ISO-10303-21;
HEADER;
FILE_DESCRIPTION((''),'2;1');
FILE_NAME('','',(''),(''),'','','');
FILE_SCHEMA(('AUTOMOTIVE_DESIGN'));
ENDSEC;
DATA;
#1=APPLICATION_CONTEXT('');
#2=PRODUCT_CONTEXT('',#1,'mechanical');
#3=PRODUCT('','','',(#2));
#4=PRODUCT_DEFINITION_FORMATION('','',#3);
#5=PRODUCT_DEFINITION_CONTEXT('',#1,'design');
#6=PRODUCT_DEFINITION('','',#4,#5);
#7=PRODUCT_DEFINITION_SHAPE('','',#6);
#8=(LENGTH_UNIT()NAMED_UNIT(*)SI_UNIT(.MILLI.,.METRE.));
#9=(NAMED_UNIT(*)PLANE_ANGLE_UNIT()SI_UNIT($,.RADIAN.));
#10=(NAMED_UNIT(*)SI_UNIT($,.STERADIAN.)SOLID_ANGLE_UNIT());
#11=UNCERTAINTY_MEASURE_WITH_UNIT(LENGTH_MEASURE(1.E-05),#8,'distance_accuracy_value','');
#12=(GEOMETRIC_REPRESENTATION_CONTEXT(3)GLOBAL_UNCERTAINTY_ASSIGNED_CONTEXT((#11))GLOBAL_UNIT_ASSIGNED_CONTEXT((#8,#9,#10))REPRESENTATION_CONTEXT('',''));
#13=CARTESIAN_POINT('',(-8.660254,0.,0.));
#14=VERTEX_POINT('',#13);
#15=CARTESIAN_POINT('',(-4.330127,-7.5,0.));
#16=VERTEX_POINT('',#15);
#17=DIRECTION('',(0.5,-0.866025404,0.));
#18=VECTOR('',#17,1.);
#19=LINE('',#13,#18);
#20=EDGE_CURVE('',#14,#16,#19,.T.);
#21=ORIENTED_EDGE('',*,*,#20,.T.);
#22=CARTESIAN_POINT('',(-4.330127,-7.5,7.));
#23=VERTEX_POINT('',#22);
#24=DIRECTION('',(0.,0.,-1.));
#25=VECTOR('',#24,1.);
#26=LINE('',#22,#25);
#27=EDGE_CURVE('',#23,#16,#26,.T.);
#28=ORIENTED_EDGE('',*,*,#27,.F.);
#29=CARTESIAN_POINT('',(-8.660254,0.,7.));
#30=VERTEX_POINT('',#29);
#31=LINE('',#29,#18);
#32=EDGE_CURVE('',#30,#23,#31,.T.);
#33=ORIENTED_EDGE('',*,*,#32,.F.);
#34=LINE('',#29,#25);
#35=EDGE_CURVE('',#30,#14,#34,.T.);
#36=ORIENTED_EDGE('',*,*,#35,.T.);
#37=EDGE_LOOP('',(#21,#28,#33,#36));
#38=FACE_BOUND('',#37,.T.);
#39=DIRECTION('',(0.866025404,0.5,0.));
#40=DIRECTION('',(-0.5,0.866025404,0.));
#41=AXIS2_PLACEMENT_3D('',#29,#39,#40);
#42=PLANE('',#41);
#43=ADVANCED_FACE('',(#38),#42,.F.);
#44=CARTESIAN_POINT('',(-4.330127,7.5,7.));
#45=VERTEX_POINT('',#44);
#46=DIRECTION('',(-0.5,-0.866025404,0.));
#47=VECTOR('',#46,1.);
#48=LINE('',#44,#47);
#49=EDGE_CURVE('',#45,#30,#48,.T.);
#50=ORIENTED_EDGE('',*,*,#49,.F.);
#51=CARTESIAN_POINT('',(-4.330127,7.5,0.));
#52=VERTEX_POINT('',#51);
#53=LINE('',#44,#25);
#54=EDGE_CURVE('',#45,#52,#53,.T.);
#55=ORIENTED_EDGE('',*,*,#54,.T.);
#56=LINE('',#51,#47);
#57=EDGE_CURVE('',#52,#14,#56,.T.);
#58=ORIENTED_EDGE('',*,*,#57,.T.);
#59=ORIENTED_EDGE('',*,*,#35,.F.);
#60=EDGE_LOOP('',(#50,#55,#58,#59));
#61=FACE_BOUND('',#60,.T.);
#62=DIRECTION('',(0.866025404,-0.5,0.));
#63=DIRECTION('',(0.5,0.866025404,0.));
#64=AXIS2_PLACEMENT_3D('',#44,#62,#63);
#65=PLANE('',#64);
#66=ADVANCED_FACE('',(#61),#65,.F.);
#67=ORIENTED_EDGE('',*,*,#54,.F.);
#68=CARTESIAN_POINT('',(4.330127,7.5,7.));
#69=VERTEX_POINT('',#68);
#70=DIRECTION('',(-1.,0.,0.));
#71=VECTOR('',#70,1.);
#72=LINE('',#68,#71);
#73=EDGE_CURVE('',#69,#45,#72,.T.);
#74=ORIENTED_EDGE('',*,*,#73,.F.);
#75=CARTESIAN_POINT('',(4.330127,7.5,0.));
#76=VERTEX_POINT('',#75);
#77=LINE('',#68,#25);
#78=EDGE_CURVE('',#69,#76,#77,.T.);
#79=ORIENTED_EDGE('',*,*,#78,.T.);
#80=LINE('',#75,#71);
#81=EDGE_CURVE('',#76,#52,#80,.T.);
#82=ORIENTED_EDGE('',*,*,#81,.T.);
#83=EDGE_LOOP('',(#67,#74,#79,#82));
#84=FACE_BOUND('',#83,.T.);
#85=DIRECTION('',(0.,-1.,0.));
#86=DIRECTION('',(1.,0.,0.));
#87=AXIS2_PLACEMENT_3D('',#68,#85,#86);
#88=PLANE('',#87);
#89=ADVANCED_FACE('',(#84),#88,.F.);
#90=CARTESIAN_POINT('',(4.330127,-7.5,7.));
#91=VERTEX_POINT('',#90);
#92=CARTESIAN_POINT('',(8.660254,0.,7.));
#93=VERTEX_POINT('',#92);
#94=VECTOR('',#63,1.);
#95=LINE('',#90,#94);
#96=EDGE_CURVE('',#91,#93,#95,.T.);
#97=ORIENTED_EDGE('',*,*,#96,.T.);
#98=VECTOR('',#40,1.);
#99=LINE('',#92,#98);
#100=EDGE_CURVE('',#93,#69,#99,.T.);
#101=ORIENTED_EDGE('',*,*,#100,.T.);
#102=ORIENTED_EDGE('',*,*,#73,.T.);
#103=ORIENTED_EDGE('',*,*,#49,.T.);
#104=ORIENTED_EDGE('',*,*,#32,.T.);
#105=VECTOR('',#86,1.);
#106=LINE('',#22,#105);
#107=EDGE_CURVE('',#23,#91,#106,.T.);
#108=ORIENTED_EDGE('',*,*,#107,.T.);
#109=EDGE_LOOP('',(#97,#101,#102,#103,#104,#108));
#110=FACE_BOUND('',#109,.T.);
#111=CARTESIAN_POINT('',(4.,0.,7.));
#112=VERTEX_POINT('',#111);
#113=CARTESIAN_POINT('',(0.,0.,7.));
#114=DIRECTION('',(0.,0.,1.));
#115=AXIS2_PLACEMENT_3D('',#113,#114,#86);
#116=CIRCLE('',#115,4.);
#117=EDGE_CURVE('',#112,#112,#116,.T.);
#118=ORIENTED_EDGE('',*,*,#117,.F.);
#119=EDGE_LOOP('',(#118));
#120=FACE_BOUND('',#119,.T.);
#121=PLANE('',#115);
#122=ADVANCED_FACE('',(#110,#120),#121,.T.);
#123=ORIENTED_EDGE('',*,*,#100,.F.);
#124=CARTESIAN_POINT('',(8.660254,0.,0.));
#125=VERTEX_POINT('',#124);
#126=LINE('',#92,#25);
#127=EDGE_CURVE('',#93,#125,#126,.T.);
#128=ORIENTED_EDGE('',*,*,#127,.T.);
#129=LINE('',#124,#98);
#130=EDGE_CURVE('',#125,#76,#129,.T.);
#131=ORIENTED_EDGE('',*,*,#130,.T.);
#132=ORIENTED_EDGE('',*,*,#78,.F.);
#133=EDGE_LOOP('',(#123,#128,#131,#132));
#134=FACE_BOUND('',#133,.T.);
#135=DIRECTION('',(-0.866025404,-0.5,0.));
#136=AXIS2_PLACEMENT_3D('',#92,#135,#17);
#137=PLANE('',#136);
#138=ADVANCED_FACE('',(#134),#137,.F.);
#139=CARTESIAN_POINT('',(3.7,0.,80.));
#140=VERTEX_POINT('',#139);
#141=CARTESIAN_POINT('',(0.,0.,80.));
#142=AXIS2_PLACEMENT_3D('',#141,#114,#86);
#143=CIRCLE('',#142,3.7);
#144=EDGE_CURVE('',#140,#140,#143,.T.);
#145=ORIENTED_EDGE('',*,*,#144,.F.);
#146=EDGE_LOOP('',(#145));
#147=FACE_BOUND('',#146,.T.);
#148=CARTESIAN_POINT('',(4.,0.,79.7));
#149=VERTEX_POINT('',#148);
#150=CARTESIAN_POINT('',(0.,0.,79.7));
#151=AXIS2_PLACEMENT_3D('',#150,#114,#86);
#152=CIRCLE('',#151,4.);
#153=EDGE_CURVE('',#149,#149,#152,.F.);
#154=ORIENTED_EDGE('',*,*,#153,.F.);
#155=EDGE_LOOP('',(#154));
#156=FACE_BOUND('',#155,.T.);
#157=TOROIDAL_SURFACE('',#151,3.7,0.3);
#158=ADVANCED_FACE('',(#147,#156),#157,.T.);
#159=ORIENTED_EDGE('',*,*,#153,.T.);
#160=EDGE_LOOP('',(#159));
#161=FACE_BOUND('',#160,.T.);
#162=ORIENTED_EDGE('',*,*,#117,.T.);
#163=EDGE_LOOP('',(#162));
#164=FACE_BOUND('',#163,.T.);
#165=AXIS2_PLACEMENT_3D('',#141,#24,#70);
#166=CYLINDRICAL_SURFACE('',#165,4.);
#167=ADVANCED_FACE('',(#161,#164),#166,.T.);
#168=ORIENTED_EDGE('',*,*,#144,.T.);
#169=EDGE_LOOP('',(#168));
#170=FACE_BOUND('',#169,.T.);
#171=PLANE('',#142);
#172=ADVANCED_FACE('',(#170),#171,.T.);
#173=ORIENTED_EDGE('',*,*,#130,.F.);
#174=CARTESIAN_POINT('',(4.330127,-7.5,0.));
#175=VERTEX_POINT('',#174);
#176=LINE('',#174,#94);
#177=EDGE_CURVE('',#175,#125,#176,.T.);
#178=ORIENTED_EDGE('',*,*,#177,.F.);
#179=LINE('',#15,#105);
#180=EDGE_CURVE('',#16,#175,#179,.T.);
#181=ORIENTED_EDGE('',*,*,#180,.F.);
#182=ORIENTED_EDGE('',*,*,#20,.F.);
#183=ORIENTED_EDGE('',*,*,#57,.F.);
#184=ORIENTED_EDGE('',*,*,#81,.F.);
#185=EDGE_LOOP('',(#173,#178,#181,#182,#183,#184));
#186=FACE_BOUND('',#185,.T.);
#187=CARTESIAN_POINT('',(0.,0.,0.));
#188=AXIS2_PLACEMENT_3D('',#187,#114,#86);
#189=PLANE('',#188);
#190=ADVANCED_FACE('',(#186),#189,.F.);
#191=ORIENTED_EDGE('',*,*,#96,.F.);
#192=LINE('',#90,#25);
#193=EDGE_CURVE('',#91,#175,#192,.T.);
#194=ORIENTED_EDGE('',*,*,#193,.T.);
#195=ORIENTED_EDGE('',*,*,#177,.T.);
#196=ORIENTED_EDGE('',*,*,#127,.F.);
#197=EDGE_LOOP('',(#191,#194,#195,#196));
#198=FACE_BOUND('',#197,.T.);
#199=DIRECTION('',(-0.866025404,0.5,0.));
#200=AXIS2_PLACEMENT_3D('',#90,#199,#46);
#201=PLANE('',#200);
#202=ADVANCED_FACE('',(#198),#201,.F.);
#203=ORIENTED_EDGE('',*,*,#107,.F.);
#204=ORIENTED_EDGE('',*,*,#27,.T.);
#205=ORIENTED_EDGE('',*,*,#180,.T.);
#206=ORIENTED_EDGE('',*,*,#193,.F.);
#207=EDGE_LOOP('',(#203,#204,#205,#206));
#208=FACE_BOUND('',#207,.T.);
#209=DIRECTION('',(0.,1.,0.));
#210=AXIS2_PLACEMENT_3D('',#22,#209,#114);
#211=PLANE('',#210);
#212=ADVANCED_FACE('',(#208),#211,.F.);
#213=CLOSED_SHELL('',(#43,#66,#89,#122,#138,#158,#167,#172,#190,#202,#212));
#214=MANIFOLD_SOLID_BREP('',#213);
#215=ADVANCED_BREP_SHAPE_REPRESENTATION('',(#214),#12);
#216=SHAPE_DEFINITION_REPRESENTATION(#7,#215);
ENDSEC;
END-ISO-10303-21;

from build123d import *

# Parameters (mm, degrees)
CROQUIS1_R              = 4
SALIENTE_EXTRUIR1_DEPTH = 80
CROQUIS1_3_R            = 4
SALIENTE_EXTRUIR2_DEPTH = 7
REDONDEO1_R             = 0.3


with BuildPart() as part:
    # Croquis1 → Saliente-Extruir1 (new body)
    with BuildSketch(Plane.XY):
        Circle(CROQUIS1_R)
    extrude(amount=SALIENTE_EXTRUIR1_DEPTH)

    # Croquis1<3> → Saliente-Extruir2 (add)
    with BuildSketch(Plane.XY):
        Polygon((-4.330127019, -7.5), (4.330127019, -7.5), (8.660254038, 0), (4.330127019, 7.5), (-4.330127019, 7.5), (-8.660254038, 0), align=None)
        Circle(CROQUIS1_3_R, mode=Mode.SUBTRACT)
    extrude(amount=SALIENTE_EXTRUIR2_DEPTH)

    # Redondeo1
    redondeo1_edges = [part.edges().sort_by_distance(p)[0] for p in [
        (-4, 0, 80),
    ]]
    fillet(redondeo1_edges, radius=REDONDEO1_R)


solid = part.part
